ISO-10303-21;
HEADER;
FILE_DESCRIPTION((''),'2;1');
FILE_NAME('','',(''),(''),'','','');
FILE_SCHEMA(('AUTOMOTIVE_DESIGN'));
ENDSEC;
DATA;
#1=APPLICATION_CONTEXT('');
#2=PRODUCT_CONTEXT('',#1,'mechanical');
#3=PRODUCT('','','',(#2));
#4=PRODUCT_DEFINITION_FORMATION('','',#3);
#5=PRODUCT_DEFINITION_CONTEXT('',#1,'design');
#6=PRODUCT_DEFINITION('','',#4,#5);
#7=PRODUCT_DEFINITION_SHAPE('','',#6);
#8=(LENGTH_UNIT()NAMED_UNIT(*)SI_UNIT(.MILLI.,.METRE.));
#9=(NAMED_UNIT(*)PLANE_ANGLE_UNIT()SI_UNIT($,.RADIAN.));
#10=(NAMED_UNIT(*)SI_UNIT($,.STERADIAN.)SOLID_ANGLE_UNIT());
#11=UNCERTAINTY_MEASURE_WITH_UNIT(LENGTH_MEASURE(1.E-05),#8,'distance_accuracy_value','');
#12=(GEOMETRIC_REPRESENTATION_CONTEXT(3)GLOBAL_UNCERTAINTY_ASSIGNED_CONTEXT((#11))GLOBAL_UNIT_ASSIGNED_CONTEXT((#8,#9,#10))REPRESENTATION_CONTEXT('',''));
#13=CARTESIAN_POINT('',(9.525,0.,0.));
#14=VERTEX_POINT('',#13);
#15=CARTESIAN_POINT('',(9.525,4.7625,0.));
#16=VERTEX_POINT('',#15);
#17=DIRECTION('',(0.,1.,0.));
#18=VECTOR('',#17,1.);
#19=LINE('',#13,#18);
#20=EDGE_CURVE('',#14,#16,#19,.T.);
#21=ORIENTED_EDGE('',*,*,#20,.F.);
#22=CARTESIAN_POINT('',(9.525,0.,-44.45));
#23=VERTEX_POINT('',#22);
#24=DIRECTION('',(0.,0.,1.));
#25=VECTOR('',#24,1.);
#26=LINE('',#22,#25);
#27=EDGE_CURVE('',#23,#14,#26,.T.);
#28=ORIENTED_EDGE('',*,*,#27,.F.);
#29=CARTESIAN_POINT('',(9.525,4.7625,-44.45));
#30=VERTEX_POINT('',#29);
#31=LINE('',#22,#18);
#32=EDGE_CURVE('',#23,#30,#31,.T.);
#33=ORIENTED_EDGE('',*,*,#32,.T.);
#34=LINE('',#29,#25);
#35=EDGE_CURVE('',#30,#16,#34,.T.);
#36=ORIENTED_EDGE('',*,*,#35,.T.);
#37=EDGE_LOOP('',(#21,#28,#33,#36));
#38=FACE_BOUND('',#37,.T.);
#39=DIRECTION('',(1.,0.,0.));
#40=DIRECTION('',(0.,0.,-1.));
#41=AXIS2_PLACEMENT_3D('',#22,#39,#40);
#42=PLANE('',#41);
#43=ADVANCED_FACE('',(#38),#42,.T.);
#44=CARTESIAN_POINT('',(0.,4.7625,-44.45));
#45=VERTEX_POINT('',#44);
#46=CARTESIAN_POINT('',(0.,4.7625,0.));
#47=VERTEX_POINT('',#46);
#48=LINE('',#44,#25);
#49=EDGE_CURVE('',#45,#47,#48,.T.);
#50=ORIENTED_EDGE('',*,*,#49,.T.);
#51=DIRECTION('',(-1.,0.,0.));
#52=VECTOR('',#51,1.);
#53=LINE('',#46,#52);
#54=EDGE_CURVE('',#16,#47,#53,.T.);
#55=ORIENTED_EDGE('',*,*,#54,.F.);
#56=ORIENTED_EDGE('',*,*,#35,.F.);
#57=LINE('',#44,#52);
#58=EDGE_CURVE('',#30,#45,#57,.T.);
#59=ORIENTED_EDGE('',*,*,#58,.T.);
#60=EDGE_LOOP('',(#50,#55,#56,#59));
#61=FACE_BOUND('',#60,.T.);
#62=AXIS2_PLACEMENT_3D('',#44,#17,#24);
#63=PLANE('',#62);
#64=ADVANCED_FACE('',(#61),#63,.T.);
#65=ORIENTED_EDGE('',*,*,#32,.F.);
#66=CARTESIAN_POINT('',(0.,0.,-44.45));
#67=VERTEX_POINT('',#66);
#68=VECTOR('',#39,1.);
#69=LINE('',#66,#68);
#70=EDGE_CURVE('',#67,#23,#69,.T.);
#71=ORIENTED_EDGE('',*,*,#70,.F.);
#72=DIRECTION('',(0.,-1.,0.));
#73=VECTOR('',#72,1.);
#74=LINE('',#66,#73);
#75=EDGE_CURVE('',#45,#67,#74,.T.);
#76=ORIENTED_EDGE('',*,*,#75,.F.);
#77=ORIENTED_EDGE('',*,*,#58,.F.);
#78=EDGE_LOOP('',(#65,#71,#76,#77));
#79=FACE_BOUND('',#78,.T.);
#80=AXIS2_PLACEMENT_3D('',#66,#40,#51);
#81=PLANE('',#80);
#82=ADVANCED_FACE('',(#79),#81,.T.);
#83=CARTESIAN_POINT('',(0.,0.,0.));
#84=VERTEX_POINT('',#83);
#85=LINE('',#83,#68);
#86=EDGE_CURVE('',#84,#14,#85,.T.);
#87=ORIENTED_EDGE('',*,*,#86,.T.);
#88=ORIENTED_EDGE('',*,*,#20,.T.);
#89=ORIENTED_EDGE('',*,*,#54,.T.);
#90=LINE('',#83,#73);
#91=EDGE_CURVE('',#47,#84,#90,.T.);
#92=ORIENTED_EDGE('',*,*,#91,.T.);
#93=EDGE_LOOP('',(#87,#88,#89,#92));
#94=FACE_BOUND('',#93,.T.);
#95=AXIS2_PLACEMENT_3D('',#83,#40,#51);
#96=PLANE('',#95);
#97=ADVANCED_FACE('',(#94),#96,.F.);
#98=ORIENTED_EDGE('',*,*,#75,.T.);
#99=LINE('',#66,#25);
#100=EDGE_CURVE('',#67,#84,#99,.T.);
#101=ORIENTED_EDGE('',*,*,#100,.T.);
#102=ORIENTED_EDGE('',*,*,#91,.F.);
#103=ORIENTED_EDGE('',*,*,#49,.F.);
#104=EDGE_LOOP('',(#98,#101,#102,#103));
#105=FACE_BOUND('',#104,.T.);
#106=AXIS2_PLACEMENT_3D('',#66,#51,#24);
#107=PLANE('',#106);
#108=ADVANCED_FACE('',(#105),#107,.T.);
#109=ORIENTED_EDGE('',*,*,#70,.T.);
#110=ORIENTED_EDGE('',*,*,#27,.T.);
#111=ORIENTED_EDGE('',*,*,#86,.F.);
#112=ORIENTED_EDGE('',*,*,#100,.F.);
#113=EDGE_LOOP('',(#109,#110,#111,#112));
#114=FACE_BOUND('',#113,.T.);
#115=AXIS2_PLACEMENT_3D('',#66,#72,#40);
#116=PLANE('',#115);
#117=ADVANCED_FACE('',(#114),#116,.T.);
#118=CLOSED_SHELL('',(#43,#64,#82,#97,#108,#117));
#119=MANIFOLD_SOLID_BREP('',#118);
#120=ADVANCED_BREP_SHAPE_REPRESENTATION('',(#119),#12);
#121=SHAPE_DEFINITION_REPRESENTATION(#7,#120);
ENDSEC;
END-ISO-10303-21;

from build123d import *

# Parameters (mm, degrees)
SKETCH2_W           = 9.525
SKETCH2_H           = 4.7625
BOSS_EXTRUDE1_DEPTH = 44.45


with BuildPart() as part:
    # Sketch2 → Boss-Extrude1 (new body)
    with BuildSketch(Plane.XY):
        with Locations((4.7625, 2.38125)):
            Rectangle(SKETCH2_W, SKETCH2_H)
    extrude(amount=-BOSS_EXTRUDE1_DEPTH)


solid = part.part
